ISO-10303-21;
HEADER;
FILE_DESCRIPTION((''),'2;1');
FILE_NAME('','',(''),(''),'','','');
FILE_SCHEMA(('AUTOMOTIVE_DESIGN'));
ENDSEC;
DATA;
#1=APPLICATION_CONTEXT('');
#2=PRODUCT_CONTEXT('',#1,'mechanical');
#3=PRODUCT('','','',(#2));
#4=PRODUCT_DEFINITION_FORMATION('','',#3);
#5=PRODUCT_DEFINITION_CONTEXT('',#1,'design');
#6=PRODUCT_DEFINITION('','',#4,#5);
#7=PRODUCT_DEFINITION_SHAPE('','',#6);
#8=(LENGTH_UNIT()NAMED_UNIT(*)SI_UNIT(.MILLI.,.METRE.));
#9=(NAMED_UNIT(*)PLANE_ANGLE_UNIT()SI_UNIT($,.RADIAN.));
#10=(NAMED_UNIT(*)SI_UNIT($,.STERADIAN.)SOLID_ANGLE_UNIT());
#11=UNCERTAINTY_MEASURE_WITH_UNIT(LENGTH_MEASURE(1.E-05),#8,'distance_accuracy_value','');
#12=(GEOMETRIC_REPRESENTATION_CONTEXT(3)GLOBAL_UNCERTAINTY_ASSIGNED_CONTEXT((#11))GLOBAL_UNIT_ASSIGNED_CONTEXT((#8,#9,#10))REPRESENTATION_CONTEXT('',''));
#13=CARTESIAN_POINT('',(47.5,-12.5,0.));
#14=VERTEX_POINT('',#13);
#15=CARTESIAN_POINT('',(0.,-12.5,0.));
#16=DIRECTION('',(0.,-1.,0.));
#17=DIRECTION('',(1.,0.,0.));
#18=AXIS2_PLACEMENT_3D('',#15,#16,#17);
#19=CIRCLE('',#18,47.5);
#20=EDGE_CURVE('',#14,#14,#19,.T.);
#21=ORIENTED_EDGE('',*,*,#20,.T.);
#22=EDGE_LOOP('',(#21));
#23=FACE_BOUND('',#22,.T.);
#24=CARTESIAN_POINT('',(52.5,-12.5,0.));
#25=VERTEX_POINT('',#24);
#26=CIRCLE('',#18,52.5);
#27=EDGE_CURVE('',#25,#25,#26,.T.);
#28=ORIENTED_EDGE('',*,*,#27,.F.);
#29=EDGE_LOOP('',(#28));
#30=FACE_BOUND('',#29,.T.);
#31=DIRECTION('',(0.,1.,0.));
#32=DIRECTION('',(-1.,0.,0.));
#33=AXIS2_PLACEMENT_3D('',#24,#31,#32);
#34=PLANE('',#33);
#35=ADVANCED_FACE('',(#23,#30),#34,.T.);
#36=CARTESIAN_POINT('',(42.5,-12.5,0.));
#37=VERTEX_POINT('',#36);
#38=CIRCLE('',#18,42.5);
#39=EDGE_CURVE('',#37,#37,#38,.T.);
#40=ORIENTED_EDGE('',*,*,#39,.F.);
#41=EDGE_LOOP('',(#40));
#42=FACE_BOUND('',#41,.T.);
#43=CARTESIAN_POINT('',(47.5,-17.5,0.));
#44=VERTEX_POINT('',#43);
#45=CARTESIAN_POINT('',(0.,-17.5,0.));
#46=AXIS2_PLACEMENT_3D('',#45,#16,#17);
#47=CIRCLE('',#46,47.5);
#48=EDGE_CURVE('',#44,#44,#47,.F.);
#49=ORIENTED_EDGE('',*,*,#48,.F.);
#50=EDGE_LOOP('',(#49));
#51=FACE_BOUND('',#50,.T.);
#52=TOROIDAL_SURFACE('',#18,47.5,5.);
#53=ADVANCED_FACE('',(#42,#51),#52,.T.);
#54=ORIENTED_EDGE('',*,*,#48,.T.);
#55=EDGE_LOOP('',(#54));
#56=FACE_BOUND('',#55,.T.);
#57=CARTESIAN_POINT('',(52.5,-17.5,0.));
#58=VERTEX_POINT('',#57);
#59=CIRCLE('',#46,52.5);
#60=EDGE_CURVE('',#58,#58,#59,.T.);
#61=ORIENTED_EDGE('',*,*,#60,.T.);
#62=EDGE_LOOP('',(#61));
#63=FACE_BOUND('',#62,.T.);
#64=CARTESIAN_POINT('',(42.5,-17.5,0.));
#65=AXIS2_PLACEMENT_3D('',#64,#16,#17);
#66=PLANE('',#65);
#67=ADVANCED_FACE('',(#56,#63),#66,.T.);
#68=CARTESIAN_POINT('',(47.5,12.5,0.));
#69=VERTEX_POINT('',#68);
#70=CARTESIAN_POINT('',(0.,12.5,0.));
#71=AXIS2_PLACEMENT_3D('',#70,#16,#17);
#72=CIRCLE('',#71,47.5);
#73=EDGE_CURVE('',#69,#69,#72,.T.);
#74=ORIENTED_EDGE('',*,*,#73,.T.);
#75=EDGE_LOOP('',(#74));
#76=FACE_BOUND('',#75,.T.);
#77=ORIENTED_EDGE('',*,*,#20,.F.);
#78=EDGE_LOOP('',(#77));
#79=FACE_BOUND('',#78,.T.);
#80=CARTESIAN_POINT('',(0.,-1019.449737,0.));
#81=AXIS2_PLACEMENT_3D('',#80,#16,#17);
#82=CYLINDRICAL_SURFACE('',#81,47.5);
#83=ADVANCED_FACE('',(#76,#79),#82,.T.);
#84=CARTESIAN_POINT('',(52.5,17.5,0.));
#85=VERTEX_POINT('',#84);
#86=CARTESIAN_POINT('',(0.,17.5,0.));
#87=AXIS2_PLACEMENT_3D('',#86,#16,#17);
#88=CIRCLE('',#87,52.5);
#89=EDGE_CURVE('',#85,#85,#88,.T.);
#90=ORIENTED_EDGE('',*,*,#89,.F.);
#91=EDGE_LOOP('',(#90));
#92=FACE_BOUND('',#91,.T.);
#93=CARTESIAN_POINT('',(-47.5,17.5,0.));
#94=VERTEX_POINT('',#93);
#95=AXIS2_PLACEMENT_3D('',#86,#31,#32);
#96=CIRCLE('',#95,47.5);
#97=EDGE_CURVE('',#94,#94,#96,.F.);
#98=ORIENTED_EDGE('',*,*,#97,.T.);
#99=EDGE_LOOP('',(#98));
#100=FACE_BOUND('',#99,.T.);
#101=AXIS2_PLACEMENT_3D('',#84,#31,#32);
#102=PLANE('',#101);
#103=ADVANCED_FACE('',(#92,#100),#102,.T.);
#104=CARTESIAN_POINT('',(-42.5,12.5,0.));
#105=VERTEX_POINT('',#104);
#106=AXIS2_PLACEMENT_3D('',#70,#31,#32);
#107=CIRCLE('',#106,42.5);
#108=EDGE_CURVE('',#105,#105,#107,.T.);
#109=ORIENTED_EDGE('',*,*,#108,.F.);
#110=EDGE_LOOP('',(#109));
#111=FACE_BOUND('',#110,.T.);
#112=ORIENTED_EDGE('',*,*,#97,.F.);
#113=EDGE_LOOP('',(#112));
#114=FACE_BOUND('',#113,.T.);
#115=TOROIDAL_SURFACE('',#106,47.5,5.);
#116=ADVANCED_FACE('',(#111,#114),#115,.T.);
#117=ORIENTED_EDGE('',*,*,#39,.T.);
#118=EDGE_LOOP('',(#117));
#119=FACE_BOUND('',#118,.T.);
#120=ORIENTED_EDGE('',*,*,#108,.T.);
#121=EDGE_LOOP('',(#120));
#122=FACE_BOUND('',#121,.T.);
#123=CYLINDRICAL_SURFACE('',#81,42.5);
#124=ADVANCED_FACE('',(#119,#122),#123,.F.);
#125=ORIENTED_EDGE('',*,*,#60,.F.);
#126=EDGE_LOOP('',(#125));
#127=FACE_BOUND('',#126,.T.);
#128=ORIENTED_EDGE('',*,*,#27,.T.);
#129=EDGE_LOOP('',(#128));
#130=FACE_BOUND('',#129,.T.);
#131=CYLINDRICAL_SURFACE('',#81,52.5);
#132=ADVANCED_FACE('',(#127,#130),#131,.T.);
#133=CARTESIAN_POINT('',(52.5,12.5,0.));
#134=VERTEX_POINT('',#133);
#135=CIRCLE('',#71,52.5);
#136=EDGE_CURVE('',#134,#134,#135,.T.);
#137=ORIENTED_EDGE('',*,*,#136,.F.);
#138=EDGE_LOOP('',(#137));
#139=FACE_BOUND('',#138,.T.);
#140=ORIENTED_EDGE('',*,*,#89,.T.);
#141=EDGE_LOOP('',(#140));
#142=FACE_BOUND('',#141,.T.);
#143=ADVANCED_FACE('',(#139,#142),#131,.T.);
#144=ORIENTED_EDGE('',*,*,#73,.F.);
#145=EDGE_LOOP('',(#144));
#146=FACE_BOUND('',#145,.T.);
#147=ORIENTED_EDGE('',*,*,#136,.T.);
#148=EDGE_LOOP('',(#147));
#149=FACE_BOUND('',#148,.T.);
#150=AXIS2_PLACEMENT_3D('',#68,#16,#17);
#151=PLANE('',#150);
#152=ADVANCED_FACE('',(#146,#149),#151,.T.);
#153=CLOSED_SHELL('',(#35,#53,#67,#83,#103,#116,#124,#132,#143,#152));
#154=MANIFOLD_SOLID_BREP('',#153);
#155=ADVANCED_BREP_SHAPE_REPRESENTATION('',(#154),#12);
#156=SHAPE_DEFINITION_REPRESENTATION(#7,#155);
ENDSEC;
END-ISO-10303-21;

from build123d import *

# Parameters (mm, degrees)
FILLET1_R = 5


with BuildPart() as part:
    # Sketch1 → Revolve1 (revolve)
    with BuildSketch(Plane.XY):
        Polygon((52.5, 17.5), (42.5, 17.5), (42.5, -17.5), (52.5, -17.5), (52.5, -12.5), (47.5, -12.5), (47.5, 12.5), (52.5, 12.5), align=None)
    revolve(axis=Axis((0, -1019.449736873, 0), (0, 1, 0)))

    # Fillet1
    fillet1_edges = [part.edges().sort_by_distance(p)[0] for p in [
        (-42.5, -17.5, 0),
        (-42.5, 17.5, 0),
    ]]
    fillet(fillet1_edges, radius=FILLET1_R)


solid = part.part
